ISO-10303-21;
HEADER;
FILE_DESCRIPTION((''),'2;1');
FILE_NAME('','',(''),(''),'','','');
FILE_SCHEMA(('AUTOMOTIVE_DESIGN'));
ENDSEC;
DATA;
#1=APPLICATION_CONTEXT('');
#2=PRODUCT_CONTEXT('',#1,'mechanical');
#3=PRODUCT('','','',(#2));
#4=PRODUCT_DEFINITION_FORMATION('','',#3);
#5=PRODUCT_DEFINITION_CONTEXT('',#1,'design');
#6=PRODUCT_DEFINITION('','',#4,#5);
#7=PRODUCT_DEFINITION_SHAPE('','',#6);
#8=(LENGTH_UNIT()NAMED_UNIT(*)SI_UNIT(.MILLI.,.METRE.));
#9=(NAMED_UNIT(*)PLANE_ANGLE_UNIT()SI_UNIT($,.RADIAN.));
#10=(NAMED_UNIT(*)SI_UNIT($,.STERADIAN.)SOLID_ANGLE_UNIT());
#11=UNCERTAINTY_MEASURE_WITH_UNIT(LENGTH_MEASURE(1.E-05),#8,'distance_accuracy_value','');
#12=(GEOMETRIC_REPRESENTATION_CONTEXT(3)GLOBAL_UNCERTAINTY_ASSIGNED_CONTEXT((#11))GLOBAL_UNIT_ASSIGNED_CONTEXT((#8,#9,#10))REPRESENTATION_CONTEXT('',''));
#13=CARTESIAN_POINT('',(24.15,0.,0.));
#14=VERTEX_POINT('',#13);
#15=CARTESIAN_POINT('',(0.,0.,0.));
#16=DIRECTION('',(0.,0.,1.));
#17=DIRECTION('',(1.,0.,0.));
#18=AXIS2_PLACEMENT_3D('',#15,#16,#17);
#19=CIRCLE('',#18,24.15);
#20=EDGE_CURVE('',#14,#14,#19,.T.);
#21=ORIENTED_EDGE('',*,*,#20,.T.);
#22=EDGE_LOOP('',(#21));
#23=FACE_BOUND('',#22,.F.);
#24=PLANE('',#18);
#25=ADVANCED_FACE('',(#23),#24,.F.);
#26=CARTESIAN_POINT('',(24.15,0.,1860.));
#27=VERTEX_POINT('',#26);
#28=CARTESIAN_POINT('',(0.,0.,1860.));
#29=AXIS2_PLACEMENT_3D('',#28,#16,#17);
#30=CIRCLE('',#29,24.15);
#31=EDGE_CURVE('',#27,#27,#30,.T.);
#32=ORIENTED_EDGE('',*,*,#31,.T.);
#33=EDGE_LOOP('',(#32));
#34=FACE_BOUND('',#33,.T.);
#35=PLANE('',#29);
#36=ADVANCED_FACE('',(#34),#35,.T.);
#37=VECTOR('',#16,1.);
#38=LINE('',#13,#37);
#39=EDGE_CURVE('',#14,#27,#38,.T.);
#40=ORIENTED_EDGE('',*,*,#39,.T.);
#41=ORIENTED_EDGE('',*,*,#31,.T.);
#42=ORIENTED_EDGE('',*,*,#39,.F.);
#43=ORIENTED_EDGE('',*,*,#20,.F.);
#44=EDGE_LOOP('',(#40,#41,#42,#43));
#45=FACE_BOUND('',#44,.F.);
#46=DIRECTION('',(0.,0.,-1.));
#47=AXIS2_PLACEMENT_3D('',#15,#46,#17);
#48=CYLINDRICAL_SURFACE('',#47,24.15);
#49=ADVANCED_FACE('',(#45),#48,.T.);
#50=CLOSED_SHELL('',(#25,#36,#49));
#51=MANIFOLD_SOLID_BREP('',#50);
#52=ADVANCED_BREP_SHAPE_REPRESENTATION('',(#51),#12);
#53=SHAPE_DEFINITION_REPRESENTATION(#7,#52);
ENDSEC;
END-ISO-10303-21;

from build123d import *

# Parameters (mm, degrees)
SKETCH_R      = 24.15
EXTRUDE_DEPTH = 1860


with BuildPart() as part:
    # Sketch → Extrude (new body)
    with BuildSketch(Plane.XY):
        Circle(SKETCH_R)
    extrude(amount=EXTRUDE_DEPTH)


solid = part.part
